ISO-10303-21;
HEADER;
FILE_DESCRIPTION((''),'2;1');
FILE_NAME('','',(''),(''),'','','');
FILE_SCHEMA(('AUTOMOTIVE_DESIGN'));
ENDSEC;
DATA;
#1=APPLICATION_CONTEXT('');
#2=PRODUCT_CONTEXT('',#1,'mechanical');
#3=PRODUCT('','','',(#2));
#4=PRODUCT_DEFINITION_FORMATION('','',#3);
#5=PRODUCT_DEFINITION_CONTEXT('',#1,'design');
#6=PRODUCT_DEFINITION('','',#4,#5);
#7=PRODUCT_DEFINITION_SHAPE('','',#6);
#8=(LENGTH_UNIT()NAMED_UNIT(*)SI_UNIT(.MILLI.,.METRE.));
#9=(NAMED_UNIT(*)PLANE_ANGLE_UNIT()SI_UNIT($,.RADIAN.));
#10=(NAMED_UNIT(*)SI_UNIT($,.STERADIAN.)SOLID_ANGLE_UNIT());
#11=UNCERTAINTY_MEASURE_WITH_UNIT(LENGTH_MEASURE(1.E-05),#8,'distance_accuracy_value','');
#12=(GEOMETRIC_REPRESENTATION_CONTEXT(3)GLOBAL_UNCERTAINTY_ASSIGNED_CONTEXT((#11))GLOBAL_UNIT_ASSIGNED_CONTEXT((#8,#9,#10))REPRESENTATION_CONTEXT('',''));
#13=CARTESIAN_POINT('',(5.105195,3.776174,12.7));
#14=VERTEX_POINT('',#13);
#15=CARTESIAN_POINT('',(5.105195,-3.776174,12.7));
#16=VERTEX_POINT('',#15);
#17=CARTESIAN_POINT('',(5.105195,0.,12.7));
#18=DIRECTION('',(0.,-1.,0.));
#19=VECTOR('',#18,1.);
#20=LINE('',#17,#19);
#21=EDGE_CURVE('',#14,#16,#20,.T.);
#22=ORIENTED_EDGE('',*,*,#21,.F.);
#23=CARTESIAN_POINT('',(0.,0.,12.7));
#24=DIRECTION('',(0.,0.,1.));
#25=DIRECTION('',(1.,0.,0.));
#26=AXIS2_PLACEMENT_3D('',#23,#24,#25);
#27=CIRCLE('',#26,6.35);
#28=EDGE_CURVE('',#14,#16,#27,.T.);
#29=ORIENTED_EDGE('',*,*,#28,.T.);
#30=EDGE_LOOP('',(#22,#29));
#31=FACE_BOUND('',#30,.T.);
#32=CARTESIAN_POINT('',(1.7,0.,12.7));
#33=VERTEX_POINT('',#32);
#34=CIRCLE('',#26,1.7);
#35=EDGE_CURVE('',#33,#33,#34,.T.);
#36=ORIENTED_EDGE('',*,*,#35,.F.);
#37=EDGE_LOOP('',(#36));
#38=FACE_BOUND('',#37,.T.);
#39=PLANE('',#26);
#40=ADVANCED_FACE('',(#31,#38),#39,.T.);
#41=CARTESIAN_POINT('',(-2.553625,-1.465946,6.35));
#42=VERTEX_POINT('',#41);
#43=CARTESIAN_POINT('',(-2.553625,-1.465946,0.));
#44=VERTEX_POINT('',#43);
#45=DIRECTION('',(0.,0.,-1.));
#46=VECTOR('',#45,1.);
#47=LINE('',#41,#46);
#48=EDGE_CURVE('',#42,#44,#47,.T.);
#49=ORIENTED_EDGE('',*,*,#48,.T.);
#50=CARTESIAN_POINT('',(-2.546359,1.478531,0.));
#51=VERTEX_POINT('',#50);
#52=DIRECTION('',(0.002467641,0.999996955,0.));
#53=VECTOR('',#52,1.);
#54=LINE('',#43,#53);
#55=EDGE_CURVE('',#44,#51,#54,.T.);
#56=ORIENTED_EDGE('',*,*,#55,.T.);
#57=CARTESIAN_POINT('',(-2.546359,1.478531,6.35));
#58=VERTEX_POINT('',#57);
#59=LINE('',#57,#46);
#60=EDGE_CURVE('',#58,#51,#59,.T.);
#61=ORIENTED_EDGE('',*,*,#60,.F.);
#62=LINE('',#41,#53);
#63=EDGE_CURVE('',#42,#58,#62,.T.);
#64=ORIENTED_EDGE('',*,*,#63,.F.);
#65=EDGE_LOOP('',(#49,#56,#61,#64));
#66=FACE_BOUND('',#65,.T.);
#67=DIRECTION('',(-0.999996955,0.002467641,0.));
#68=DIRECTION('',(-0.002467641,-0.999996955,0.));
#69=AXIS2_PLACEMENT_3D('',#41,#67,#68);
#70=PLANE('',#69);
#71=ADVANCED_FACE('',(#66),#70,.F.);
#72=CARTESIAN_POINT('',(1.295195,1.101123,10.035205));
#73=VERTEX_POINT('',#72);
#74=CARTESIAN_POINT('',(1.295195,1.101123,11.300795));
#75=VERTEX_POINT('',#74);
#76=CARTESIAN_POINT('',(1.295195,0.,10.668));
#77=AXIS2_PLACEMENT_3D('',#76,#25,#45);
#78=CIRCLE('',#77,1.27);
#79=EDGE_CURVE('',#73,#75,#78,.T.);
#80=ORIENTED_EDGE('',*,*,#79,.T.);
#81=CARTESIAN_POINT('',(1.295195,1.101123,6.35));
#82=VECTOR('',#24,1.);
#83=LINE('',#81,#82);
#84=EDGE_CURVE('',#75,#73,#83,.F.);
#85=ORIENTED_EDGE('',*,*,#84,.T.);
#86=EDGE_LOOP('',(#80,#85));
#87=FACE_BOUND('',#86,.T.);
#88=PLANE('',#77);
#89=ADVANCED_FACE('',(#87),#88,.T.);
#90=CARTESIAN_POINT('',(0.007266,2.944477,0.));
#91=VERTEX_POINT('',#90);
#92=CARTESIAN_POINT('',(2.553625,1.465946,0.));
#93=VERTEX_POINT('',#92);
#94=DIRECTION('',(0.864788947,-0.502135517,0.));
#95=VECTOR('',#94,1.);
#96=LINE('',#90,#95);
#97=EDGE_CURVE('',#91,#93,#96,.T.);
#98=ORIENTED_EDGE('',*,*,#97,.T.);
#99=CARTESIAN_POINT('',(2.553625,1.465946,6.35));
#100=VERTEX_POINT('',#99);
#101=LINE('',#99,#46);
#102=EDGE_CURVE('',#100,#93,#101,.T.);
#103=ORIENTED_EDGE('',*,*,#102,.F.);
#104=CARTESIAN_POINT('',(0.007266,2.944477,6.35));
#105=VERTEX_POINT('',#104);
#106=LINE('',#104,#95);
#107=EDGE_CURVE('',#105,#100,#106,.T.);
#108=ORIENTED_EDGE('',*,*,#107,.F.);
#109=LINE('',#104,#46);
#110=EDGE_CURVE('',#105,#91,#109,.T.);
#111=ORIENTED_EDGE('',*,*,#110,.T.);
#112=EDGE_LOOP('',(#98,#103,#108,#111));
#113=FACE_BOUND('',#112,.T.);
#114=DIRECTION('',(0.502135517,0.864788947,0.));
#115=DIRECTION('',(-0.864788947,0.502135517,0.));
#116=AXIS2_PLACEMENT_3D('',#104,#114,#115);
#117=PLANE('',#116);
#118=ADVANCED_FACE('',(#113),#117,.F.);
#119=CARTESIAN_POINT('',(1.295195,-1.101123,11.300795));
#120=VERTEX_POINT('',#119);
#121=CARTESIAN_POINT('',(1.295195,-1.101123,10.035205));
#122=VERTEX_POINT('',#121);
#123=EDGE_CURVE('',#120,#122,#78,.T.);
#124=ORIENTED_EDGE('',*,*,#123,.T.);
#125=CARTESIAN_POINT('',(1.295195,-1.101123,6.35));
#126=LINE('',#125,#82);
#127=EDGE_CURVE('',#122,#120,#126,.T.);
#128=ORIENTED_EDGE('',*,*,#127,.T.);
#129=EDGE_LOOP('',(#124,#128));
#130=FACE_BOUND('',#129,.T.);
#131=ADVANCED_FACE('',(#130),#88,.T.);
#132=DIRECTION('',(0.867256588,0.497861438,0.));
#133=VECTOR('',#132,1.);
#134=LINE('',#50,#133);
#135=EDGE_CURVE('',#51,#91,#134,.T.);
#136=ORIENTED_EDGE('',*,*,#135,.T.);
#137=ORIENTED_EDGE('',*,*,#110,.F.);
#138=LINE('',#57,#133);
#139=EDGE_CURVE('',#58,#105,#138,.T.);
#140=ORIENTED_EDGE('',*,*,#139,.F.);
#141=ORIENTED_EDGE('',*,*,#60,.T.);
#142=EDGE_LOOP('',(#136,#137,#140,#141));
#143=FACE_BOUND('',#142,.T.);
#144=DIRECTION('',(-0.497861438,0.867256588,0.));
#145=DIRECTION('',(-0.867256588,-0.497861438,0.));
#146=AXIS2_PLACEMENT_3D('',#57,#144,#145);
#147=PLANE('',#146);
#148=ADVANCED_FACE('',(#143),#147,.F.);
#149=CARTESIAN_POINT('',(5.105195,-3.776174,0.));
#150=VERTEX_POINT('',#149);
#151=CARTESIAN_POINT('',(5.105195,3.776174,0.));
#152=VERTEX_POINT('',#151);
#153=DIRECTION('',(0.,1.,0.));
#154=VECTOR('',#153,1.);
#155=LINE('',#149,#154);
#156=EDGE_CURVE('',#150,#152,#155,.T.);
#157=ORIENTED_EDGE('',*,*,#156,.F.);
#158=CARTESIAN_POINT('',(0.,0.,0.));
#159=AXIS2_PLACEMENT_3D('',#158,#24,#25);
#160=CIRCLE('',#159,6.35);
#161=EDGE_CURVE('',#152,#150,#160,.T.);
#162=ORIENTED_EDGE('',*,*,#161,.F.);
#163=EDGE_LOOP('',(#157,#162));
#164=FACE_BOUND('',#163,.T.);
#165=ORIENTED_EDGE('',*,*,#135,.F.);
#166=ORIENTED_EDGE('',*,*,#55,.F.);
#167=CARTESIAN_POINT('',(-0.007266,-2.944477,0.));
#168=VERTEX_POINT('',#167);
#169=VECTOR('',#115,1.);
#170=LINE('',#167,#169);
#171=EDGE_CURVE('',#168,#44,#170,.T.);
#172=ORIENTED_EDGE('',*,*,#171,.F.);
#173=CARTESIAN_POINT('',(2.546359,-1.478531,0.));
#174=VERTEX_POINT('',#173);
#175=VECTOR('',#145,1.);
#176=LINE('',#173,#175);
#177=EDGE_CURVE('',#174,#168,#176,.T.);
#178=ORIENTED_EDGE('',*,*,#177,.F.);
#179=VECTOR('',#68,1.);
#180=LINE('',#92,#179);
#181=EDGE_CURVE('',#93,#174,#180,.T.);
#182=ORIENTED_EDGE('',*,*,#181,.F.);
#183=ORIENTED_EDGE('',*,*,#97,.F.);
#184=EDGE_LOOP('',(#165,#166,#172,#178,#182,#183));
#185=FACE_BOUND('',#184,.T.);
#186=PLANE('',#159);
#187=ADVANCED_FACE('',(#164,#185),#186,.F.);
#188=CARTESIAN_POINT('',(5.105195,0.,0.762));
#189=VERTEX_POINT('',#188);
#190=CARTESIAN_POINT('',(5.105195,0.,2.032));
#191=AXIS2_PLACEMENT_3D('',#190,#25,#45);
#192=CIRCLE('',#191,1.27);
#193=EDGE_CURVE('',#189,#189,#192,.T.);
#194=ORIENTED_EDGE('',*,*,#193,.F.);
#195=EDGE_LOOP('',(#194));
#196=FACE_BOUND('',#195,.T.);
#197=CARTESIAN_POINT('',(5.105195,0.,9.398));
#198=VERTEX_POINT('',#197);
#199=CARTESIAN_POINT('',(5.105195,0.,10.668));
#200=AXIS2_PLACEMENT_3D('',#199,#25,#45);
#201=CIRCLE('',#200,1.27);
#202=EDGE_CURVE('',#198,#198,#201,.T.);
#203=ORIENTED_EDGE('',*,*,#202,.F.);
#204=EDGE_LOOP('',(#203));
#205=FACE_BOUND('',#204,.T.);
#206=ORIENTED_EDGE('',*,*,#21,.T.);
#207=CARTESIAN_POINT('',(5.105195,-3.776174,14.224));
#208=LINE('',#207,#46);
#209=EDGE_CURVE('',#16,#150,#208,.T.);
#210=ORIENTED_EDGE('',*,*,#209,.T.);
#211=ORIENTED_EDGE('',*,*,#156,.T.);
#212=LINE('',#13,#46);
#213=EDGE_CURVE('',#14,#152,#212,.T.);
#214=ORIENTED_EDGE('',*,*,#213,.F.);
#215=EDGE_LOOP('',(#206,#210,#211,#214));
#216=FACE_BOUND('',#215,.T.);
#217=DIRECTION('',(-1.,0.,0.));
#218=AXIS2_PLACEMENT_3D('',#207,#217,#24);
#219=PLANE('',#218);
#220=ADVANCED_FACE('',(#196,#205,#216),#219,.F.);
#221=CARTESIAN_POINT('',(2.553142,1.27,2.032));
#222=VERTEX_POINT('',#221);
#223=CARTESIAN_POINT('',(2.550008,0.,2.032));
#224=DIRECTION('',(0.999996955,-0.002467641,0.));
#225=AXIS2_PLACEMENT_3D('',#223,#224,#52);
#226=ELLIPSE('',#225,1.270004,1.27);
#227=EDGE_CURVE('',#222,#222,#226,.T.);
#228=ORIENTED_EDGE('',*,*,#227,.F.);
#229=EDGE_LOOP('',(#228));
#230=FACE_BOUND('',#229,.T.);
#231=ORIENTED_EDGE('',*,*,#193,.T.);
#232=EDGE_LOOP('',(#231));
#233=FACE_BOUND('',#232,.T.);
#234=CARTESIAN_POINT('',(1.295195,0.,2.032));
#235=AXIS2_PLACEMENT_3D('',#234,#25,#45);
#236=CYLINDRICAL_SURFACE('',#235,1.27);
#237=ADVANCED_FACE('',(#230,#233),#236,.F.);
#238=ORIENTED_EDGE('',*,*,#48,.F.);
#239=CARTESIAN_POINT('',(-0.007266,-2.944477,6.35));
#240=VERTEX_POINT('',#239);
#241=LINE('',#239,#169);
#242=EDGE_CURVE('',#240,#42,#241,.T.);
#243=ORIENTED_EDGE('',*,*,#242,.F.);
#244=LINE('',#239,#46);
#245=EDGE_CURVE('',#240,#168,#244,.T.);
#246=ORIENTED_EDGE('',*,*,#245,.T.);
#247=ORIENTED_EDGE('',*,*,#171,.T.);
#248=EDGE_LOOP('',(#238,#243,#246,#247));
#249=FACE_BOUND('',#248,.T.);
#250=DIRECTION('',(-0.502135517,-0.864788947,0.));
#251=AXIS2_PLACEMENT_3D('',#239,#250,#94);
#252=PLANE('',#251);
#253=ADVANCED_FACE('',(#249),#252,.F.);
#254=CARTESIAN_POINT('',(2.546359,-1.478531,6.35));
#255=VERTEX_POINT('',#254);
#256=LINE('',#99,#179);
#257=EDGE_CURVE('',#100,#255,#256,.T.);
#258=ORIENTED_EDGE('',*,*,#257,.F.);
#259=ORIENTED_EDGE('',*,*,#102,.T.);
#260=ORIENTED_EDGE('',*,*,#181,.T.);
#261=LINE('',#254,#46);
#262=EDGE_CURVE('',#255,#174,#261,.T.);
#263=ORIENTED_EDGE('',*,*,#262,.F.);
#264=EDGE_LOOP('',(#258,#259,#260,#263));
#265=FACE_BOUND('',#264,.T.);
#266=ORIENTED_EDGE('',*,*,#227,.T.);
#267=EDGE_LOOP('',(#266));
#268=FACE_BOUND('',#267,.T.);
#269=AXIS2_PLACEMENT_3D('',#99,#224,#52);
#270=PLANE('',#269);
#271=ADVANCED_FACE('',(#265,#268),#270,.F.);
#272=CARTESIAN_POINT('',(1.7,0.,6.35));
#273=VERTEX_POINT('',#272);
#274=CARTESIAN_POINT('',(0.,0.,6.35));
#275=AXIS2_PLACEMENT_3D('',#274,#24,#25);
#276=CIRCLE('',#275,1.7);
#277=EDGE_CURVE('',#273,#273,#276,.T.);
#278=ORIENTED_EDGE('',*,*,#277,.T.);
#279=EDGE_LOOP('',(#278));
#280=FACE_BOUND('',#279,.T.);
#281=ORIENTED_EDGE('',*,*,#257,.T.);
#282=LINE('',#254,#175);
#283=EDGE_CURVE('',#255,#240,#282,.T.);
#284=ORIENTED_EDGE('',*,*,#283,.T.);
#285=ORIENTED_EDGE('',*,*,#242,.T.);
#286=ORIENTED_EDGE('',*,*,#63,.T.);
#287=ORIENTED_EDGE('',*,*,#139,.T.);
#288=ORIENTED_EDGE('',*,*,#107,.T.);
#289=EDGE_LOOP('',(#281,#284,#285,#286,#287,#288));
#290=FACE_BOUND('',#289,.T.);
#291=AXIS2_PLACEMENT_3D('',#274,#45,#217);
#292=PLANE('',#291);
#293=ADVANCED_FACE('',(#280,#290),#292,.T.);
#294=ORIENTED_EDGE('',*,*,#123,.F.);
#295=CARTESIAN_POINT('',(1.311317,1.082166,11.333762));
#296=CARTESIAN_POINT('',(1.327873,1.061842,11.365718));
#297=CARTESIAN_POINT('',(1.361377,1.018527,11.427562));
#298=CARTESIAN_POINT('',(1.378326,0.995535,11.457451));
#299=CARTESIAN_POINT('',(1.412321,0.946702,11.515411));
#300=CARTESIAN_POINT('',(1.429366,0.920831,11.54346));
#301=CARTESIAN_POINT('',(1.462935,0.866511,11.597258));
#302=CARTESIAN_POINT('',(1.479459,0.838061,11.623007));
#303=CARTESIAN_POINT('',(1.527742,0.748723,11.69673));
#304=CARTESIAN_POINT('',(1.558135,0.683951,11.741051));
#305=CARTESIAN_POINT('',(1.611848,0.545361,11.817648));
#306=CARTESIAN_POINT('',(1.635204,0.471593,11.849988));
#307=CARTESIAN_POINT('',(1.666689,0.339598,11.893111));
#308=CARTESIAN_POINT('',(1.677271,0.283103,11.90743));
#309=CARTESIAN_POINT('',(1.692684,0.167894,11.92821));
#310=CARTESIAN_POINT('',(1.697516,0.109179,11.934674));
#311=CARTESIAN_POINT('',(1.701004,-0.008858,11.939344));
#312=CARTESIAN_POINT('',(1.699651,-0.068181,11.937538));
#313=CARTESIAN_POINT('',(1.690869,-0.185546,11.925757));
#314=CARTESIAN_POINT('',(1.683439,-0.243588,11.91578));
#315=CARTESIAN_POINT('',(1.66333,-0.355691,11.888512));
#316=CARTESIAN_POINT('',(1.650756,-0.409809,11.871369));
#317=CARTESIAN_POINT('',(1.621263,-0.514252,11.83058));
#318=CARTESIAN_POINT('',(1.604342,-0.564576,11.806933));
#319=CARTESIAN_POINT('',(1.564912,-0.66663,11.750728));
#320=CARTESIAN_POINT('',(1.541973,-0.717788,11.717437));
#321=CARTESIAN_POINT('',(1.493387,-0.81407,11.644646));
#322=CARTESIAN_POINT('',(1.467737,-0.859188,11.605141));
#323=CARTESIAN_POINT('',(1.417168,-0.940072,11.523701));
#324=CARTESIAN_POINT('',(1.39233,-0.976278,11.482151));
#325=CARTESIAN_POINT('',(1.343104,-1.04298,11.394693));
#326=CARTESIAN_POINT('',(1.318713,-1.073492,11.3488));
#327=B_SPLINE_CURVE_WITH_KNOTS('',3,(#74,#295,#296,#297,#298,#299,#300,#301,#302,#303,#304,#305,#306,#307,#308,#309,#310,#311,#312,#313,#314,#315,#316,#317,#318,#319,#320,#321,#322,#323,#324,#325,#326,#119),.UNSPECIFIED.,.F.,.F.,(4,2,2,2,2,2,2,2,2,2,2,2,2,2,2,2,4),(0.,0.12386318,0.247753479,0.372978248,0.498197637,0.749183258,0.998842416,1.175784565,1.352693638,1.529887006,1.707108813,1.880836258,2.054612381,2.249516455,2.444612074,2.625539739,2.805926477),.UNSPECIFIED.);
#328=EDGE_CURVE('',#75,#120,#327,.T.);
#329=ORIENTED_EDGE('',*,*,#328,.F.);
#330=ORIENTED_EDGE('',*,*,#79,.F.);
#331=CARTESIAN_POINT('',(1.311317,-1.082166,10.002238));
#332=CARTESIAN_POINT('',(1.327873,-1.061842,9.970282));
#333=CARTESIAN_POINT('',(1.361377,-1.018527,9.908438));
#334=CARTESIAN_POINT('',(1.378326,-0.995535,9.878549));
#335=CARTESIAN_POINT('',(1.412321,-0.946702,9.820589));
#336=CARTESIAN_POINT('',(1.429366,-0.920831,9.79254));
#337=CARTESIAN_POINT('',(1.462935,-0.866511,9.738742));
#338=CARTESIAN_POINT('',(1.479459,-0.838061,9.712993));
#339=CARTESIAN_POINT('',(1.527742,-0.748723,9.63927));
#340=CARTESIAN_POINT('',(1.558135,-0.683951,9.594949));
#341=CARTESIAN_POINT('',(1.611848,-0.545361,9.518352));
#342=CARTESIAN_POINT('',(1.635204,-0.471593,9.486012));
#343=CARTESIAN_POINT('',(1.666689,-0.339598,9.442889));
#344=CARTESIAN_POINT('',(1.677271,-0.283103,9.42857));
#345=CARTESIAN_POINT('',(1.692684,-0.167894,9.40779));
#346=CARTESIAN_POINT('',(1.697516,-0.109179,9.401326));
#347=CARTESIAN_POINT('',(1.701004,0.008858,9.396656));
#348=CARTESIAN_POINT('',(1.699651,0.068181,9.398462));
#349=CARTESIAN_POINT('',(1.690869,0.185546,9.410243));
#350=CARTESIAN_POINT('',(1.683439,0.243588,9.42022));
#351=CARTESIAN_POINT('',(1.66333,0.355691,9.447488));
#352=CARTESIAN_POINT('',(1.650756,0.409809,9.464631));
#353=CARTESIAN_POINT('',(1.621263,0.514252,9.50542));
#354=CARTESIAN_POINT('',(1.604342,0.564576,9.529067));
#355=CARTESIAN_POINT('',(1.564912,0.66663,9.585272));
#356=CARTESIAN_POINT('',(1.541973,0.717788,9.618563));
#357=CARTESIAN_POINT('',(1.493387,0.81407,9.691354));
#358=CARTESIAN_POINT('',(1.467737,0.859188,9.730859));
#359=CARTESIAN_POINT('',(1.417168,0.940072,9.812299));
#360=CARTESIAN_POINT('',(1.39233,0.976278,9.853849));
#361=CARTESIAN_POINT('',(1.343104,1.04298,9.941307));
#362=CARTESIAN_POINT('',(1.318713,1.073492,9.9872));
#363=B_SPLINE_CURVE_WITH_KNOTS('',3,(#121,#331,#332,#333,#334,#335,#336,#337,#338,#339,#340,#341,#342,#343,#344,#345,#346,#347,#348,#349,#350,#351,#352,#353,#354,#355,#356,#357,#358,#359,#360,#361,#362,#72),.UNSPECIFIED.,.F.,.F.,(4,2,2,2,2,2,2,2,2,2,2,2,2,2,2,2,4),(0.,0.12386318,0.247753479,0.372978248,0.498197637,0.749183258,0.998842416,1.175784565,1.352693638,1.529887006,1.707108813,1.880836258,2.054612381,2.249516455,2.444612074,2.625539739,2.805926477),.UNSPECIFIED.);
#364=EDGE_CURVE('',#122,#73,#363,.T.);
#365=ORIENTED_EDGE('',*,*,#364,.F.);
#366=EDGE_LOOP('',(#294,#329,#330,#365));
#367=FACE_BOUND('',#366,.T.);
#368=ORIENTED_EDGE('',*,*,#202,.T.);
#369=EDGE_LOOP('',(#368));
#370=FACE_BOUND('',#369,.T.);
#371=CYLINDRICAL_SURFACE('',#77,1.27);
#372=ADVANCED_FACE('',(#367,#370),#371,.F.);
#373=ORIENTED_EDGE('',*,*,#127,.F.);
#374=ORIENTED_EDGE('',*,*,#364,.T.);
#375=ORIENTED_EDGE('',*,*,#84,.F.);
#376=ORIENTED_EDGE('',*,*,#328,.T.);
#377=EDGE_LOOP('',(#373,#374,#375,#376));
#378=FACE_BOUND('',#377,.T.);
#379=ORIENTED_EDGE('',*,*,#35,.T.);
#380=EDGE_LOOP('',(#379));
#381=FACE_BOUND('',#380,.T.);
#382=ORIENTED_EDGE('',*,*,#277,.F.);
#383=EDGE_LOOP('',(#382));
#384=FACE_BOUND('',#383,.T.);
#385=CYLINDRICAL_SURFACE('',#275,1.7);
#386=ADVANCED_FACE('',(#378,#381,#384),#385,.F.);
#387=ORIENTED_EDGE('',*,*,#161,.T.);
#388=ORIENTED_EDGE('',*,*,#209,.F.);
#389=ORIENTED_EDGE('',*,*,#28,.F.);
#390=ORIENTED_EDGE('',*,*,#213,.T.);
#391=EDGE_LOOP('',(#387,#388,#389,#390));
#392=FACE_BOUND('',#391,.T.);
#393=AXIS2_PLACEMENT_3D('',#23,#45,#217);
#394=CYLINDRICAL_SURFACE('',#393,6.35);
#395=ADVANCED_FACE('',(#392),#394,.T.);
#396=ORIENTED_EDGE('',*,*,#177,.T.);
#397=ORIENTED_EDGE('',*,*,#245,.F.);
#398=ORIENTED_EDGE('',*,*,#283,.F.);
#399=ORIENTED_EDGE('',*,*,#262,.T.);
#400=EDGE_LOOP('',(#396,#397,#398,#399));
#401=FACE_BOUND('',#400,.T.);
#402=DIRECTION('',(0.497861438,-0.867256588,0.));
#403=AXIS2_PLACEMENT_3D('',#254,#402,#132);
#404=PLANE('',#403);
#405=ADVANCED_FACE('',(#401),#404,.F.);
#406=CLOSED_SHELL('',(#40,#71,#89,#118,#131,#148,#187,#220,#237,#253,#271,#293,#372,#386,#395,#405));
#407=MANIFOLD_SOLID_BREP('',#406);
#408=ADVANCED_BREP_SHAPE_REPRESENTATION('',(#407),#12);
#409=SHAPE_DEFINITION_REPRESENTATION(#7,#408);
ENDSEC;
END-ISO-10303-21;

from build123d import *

# Parameters (mm, degrees)
SKETCH1_R           = 6.35
BOSS_EXTRUDE1_DEPTH = 12.7
SKETCH2_R           = 1.7
CUT_EXTRUDE1_DEPTH  = 6.35
CUT_EXTRUDE2_DEPTH  = 6.35
SKETCH4_W           = 3.114007597
SKETCH4_H           = 7.898709862
CUT_EXTRUDE3_DEPTH  = 14.224
SKETCH5_R           = 1.27
CUT_EXTRUDE4_DEPTH  = 3.81


with BuildPart() as part:
    # Sketch1 → Boss-Extrude1 (new body)
    with BuildSketch(Plane.XY):
        Circle(SKETCH1_R)
    extrude(amount=BOSS_EXTRUDE1_DEPTH)

    # Sketch2 → Cut-Extrude1 (cut)
    with BuildSketch(Plane.XY.offset(12.7)):
        Circle(SKETCH2_R)
    extrude(amount=-CUT_EXTRUDE1_DEPTH, mode=Mode.SUBTRACT)

    # Sketch3 → Cut-Extrude2 (cut)
    with BuildSketch(Plane(origin=(0, 0, 0), x_dir=(-1, 0, 0), z_dir=(0, 0, -1))):
        Polygon((-2.546359249, -1.478531177), (0.007265935, -2.944477385), (2.553625184, -1.465946208), (2.546359249, 1.478531177), (-0.007265935, 2.944477385), (-2.553625184, 1.465946208), align=None)
    extrude(amount=-CUT_EXTRUDE2_DEPTH, mode=Mode.SUBTRACT)

    # Sketch4 → Cut-Extrude3 (cut)
    with BuildSketch(Plane(origin=(0, 0, 0), x_dir=(-1, 0, 0), z_dir=(0, 0, -1))):
        with Locations((-6.6621984, 0.173181196)):
            Rectangle(SKETCH4_W, SKETCH4_H)
    extrude(amount=-CUT_EXTRUDE3_DEPTH, mode=Mode.SUBTRACT)

    # Sketch5 → Cut-Extrude4 (cut)
    with BuildSketch(Plane(origin=(5.105194602, 0, 0), x_dir=(0, 0, -1), z_dir=(1, 0, 0))):
        with Locations((-10.668, 0)):
            Circle(SKETCH5_R)
        with Locations((-2.032, 0)):
            Circle(SKETCH5_R)
    extrude(amount=-CUT_EXTRUDE4_DEPTH, mode=Mode.SUBTRACT)


solid = part.part
